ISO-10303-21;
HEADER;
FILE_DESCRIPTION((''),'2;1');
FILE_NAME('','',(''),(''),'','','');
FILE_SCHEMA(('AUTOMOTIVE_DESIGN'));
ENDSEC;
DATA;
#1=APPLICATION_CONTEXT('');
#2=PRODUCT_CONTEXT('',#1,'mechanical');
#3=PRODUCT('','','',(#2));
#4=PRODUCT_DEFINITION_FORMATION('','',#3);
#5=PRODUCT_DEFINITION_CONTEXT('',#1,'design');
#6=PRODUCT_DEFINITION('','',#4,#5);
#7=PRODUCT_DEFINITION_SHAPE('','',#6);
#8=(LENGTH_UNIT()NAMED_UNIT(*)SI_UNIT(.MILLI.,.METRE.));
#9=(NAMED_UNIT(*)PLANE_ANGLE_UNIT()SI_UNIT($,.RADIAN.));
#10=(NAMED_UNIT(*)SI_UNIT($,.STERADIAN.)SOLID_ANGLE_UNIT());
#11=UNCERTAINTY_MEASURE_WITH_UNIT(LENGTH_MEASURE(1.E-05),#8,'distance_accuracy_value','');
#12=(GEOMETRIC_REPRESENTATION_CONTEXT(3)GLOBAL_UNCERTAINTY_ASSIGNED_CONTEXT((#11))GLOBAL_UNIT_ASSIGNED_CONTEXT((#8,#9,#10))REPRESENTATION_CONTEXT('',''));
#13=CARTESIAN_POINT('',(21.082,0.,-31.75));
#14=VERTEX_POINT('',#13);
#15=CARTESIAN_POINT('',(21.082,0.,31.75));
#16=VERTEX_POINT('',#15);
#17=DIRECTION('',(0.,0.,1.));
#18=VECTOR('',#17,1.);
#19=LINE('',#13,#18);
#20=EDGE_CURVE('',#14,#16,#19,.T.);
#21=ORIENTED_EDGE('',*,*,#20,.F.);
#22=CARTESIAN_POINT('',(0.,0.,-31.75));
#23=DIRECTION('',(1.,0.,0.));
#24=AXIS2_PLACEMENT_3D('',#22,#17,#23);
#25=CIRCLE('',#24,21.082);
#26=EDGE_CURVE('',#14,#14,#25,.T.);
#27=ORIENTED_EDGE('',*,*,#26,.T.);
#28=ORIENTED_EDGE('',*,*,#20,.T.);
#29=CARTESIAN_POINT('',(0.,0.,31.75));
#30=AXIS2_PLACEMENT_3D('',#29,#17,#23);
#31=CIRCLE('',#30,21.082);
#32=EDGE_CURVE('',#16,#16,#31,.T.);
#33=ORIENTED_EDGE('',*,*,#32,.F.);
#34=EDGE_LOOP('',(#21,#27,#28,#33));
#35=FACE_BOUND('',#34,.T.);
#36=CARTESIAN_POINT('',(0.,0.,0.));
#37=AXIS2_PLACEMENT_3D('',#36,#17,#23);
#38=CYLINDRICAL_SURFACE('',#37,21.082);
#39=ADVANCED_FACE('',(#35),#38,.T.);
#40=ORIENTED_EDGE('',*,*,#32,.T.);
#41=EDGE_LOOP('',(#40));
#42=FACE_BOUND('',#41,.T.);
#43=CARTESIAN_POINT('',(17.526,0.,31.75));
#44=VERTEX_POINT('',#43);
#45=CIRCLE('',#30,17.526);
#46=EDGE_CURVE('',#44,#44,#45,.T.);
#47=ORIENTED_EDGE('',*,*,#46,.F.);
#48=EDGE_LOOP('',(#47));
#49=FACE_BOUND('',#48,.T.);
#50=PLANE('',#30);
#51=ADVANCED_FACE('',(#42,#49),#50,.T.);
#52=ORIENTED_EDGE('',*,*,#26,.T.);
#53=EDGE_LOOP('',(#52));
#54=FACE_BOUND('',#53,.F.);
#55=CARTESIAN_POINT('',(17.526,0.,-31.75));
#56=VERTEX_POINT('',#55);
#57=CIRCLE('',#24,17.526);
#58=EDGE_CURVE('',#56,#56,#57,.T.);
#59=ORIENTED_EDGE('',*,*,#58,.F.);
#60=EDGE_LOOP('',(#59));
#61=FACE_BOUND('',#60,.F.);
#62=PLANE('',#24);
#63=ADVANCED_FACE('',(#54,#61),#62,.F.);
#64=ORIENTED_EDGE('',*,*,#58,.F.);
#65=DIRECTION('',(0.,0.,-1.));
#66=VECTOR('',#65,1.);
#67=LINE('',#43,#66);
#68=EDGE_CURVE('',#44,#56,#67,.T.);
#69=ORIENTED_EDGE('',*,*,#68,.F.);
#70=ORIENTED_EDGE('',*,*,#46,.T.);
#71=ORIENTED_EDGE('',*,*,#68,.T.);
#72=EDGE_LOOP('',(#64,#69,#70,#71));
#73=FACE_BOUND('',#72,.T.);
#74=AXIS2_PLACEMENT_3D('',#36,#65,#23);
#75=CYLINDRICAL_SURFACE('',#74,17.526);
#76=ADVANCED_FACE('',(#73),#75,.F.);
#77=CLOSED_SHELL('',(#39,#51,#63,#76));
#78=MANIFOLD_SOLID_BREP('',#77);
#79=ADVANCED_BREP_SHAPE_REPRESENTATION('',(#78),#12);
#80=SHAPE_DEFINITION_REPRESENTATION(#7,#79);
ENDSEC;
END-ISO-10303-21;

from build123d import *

# Parameters (mm, degrees)
SKETCH1_R           = 21.082
SKETCH1_R_2         = 17.526
EXTRUDE_THIN1_DEPTH = 31.75


with BuildPart() as part:
    # Sketch1 → Extrude-Thin1 (new body, symmetric)
    with BuildSketch(Plane.XY):
        Circle(SKETCH1_R)
        Circle(SKETCH1_R_2, mode=Mode.SUBTRACT)
    extrude(amount=EXTRUDE_THIN1_DEPTH, both=True)


solid = part.part
